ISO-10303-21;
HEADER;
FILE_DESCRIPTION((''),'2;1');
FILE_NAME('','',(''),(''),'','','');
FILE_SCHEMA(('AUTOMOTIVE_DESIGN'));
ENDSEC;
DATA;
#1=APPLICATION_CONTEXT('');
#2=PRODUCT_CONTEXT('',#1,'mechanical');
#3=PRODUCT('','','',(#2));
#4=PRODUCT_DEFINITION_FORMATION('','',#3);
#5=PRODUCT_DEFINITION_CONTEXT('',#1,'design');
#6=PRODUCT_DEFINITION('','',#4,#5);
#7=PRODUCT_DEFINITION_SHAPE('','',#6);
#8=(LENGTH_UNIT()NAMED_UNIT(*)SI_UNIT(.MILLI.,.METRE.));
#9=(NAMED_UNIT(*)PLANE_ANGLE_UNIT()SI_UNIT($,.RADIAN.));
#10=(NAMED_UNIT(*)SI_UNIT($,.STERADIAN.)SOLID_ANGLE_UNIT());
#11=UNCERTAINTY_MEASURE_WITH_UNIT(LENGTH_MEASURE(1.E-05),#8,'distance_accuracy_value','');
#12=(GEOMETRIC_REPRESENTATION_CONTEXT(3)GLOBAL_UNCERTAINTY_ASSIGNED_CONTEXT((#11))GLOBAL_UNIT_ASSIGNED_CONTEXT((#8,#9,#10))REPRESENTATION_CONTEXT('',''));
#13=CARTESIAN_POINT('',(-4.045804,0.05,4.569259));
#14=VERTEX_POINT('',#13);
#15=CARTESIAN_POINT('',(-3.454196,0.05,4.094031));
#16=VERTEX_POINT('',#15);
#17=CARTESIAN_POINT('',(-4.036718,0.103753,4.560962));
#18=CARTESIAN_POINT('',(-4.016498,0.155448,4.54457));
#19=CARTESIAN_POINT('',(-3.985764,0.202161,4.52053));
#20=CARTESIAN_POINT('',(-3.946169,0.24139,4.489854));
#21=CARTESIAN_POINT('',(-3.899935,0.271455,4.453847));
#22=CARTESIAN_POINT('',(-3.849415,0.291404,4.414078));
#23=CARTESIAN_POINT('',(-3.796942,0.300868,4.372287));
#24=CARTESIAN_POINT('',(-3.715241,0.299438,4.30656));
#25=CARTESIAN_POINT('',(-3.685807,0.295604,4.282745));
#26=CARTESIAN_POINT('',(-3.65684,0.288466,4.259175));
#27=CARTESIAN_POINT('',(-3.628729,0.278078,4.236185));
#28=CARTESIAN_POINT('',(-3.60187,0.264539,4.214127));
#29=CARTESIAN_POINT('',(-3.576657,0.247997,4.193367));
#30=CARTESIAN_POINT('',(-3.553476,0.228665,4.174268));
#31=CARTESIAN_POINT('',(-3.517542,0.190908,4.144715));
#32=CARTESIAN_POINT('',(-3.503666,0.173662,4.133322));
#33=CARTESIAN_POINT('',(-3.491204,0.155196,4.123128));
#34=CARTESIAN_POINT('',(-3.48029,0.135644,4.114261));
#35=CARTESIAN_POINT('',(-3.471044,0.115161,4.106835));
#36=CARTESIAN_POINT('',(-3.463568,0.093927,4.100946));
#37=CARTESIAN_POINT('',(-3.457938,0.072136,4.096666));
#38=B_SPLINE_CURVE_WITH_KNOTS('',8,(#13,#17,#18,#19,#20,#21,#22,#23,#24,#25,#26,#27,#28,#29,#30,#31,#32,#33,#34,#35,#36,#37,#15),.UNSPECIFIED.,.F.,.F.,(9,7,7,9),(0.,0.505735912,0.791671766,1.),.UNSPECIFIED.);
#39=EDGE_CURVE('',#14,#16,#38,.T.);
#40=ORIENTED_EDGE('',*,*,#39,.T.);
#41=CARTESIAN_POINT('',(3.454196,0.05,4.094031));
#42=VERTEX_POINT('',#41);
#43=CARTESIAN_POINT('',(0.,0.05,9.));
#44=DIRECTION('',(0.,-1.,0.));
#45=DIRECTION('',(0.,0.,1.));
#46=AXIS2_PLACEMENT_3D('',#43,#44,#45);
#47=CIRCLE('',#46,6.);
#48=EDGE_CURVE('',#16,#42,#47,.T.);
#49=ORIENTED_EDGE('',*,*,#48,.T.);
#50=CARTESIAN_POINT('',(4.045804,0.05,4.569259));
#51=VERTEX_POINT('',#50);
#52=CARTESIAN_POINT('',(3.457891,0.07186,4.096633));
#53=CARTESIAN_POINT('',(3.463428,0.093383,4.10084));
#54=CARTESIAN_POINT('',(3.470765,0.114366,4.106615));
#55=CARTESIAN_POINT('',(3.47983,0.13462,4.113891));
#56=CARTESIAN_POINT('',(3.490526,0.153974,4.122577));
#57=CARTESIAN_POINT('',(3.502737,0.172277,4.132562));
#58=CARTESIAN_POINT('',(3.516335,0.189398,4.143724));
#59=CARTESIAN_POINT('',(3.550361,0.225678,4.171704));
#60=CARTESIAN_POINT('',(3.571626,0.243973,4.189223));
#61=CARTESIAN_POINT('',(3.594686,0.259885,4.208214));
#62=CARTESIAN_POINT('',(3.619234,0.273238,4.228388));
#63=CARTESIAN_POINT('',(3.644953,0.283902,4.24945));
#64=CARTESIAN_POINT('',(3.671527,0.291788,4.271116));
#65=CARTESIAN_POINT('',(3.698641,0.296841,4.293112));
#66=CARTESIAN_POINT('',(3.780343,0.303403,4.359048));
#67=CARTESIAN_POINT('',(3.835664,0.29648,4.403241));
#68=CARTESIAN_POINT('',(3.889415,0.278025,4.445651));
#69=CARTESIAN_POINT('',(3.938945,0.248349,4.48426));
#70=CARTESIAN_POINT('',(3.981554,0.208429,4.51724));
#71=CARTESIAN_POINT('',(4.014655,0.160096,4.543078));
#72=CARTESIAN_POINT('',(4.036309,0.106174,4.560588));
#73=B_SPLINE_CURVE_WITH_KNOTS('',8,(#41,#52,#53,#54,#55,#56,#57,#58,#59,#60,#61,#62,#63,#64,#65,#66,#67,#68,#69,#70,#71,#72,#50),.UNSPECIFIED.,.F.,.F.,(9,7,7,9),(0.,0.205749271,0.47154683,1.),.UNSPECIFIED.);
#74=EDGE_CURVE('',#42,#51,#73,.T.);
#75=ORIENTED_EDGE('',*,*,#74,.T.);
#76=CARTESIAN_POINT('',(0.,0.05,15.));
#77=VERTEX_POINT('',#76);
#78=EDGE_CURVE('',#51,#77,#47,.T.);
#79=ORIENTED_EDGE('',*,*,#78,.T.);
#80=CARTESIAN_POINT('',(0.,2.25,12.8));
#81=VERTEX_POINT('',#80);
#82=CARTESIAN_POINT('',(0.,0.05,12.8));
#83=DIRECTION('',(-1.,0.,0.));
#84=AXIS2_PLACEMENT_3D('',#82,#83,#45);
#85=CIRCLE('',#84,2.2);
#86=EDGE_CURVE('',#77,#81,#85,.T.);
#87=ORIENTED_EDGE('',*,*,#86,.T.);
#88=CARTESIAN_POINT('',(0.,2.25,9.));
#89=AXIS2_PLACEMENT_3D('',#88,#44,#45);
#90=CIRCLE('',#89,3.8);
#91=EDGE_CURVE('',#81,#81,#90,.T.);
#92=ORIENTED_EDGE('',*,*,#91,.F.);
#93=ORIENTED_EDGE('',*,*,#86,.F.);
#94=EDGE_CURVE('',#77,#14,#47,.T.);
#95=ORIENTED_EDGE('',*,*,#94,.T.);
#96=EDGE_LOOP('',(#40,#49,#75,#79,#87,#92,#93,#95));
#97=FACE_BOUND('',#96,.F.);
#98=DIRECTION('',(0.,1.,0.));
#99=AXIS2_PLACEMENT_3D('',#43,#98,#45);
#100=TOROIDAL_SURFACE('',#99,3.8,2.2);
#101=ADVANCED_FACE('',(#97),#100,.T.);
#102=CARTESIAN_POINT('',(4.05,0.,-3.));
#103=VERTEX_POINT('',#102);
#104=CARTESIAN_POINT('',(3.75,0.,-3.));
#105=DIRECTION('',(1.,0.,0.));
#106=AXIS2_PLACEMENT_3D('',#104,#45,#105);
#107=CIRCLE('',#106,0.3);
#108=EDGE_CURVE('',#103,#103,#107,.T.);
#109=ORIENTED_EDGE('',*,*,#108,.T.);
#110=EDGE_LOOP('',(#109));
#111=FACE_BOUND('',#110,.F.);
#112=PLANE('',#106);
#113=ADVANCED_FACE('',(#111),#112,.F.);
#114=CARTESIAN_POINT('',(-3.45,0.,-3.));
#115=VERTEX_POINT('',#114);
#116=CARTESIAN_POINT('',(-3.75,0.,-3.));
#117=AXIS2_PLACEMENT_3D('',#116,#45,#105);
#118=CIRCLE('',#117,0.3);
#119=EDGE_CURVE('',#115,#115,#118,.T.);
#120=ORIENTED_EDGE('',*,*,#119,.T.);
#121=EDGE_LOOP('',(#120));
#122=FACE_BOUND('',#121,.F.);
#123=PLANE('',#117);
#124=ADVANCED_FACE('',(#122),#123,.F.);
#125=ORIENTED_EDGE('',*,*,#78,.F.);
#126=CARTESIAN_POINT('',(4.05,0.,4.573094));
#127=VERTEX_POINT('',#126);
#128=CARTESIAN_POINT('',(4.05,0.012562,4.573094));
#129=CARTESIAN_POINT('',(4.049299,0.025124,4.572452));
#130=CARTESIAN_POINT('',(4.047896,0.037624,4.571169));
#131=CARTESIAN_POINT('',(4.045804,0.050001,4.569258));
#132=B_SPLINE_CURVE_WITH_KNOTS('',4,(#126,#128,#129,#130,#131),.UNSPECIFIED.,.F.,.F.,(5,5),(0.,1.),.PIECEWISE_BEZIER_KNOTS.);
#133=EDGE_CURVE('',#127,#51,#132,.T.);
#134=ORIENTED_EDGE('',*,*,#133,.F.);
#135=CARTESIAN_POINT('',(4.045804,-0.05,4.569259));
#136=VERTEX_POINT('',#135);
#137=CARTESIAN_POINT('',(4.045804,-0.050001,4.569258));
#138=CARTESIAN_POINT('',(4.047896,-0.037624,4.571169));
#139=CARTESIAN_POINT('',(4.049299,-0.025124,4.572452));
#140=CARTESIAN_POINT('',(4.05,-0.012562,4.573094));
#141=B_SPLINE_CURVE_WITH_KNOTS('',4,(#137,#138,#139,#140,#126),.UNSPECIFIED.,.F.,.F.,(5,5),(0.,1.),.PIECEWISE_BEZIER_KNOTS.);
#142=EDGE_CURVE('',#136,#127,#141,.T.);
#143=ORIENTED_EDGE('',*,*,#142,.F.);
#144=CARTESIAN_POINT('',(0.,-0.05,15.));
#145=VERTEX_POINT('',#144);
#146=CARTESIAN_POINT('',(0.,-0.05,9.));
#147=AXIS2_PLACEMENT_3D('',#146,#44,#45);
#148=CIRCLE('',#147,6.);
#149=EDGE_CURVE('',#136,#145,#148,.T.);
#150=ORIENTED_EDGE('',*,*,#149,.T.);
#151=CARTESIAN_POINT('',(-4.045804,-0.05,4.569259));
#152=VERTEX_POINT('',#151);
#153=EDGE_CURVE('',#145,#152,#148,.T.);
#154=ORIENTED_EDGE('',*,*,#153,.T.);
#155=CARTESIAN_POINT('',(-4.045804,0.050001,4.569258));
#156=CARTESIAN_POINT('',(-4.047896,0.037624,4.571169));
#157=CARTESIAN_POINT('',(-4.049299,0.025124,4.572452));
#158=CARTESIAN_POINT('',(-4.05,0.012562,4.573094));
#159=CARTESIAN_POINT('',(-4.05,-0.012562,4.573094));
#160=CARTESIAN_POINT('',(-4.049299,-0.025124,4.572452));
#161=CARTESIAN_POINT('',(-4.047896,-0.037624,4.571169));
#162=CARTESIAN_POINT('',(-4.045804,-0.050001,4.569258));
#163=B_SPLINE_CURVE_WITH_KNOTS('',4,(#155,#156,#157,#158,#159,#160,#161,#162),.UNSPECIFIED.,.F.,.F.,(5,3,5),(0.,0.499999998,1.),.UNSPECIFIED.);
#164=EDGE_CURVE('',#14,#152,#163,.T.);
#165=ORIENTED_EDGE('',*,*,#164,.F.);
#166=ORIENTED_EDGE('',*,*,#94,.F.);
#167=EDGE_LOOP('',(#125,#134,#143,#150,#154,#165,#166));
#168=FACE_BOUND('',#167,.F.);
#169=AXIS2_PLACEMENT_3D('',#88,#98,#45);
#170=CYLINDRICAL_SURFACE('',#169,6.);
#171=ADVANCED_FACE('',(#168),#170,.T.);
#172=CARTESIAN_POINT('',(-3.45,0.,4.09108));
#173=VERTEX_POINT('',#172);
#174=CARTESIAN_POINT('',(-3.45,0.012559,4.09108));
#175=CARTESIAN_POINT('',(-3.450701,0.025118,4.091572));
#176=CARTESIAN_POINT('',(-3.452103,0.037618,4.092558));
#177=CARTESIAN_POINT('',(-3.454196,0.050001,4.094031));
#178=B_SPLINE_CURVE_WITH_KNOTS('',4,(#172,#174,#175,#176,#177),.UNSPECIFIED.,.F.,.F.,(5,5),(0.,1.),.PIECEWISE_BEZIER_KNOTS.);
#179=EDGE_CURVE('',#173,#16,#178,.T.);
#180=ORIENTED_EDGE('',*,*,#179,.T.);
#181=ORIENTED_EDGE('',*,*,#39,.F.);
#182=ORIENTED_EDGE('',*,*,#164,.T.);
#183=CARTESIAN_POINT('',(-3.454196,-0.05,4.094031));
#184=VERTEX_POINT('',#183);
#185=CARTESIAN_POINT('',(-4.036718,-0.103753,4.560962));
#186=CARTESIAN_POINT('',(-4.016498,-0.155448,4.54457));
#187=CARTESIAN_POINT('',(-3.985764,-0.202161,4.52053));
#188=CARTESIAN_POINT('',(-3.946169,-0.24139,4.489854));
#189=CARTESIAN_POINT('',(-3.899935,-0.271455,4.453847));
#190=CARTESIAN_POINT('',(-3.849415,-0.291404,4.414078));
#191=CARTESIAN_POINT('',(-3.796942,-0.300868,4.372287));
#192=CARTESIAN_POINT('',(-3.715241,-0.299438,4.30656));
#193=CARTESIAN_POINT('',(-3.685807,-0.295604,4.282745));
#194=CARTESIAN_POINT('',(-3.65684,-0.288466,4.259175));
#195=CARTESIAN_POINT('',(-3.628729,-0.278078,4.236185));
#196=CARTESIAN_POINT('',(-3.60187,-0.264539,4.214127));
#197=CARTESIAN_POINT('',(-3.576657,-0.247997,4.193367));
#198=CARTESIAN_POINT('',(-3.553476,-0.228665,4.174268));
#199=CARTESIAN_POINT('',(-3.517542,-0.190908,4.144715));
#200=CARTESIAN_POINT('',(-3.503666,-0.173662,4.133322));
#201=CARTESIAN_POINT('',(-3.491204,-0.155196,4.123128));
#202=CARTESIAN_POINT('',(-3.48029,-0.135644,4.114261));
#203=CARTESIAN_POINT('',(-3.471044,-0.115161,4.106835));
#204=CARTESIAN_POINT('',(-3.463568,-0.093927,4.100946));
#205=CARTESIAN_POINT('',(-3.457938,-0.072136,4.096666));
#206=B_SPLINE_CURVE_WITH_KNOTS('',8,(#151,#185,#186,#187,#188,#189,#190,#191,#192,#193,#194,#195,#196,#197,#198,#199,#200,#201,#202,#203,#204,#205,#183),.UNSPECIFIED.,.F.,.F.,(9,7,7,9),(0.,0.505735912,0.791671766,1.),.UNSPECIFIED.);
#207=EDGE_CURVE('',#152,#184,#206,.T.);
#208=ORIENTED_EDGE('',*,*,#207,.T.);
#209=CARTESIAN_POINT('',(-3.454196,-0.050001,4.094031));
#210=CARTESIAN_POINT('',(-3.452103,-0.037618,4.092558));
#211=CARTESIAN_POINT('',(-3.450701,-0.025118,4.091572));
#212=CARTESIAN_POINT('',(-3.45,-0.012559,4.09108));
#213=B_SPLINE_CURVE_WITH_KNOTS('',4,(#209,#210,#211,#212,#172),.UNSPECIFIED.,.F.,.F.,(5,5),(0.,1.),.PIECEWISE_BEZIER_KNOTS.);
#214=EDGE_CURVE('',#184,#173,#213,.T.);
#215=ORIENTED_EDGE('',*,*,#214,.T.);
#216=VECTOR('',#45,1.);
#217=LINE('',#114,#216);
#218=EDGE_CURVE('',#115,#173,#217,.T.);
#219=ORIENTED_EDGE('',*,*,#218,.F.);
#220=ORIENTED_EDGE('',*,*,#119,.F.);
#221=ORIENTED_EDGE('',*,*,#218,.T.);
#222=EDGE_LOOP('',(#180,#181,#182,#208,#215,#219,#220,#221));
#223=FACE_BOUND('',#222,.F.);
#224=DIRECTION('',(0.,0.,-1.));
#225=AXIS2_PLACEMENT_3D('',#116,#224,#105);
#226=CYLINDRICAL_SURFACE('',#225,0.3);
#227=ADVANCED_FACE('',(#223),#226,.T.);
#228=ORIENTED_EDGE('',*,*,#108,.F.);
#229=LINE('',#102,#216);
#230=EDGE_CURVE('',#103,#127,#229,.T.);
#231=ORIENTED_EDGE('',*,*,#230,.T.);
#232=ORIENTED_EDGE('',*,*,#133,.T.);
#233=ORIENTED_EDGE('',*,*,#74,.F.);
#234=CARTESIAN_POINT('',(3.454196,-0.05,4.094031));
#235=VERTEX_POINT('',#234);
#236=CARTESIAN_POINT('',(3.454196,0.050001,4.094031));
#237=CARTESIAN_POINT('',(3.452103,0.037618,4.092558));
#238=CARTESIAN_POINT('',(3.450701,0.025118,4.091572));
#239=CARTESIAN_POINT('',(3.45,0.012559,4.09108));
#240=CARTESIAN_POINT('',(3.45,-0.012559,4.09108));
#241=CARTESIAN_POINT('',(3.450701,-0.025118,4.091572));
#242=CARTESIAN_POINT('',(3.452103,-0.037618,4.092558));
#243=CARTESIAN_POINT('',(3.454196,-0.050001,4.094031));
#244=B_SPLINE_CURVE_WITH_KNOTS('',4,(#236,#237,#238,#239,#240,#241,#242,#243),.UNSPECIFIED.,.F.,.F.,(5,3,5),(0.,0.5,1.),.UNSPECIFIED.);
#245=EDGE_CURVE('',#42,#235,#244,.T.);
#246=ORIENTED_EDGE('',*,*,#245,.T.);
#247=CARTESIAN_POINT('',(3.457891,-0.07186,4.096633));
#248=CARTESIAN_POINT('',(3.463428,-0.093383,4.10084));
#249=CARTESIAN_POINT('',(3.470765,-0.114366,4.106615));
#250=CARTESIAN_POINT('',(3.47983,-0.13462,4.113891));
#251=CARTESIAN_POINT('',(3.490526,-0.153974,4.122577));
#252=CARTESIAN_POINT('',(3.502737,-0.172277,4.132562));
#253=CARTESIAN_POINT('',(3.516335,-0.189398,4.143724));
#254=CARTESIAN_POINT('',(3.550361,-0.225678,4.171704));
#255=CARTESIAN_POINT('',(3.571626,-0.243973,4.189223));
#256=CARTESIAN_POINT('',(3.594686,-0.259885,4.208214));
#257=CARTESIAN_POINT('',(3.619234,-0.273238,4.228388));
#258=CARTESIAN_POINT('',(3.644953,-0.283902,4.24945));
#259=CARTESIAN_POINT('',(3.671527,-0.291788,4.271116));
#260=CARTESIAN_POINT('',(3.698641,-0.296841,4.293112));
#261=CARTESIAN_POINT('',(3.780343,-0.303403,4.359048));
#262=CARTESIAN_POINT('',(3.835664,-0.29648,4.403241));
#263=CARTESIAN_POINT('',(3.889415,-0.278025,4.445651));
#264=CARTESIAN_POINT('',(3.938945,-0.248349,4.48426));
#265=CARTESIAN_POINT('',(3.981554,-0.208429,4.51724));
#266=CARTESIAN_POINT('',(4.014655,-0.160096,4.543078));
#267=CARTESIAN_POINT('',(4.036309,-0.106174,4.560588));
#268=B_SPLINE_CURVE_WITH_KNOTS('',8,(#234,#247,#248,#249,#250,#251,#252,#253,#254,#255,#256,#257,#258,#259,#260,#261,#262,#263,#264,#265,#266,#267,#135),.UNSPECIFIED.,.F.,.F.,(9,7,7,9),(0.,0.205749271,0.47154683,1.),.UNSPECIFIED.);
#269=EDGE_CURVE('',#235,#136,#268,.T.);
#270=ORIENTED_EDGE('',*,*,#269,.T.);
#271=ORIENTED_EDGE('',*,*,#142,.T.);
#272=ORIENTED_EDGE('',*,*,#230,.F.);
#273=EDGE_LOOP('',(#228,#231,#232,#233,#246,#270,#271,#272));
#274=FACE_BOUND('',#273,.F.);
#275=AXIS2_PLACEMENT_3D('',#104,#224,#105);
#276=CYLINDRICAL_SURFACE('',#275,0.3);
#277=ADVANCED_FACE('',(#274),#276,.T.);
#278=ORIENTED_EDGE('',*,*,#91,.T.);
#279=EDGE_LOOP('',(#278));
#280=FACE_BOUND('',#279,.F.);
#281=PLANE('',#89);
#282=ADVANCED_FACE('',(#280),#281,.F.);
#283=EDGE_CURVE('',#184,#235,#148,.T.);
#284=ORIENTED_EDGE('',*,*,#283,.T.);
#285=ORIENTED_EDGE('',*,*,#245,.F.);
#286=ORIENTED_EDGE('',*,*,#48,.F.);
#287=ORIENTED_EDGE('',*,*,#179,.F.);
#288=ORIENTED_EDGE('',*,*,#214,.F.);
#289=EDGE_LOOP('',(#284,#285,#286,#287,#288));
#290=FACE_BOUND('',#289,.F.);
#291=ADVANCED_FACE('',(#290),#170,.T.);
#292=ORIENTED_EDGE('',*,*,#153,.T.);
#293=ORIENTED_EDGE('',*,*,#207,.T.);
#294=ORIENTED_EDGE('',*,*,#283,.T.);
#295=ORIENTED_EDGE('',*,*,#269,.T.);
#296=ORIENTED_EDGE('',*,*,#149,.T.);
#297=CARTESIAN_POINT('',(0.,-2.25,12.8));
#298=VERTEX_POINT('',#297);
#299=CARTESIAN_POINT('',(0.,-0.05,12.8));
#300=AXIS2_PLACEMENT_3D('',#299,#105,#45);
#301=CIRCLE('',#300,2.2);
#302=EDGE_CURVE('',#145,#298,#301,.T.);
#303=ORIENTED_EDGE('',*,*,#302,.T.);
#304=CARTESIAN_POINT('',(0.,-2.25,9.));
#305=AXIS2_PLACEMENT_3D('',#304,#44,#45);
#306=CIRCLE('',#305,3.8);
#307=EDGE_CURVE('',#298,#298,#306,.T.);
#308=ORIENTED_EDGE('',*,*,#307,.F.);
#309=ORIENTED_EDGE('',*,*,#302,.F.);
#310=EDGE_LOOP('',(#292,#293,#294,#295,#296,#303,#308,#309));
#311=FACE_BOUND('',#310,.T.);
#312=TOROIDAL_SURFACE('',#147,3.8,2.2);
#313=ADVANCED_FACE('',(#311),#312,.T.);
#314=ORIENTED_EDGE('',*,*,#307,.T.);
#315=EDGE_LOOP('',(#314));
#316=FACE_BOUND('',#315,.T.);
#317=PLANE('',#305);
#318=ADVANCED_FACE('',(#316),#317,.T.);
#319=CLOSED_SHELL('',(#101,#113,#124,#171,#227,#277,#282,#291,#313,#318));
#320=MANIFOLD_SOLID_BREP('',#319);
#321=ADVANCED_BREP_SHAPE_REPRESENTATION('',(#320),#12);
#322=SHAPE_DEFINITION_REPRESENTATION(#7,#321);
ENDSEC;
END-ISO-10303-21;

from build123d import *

# Parameters (mm, degrees)
CYLINDER001_R          = 0.3
CYLINDER001_DEPTH      = 10
CYLINDER002_R          = 0.3
CYLINDER002_DEPTH      = 10
CYLINDER_R             = 6
CYLINDER_DEPTH         = 4.5
FILLET_R               = 2.2
FILLET_PITCH_ANGLE     = -90
FILLET_PLACEMENT_ANGLE = 90


with BuildPart() as pin1:
    # Cylinder001 → Cylinder001 (new body)
    with BuildSketch(Plane(origin=(-3.75, 0, -3), x_dir=(1, 0, 0), z_dir=(0, 0, 1))):
        Circle(CYLINDER001_R)
    extrude(amount=CYLINDER001_DEPTH)


with BuildPart() as pin2:
    # Cylinder002 → Cylinder002 (new body)
    with BuildSketch(Plane(origin=(3.75, 0, -3), x_dir=(1, 0, 0), z_dir=(0, 0, 1))):
        Circle(CYLINDER002_R)
    extrude(amount=CYLINDER002_DEPTH)


with BuildPart() as fusion:
    # Cylinder → Cylinder (new body)
    with BuildSketch(Plane.XY):
        Circle(CYLINDER_R)
    extrude(amount=CYLINDER_DEPTH)

    # Fillet
    fillet_edges = [fusion.edges().sort_by_distance(p)[0] for p in [
        (-6, 0, 4.5),
        (-6, 0, 0),
    ]]
    fillet(fillet_edges, radius=FILLET_R)


with BuildPart() as fusion_1:
    # Fillet pitch: moved
    add(fusion.part.rotate(Axis((0, 0, 0), (0, 1, 0)), FILLET_PITCH_ANGLE))


with BuildPart() as fusion_2:
    # Fillet placement: moved
    add(fusion_1.part.moved(Location((0, 2.25, 9))).rotate(Axis((0, 2.25, 9), (0, 0, 1)), FILLET_PLACEMENT_ANGLE))

    # Fusion: union Pin1, Pin2
    add(pin1.part)
    add(pin2.part)


solid = fusion_2.part
